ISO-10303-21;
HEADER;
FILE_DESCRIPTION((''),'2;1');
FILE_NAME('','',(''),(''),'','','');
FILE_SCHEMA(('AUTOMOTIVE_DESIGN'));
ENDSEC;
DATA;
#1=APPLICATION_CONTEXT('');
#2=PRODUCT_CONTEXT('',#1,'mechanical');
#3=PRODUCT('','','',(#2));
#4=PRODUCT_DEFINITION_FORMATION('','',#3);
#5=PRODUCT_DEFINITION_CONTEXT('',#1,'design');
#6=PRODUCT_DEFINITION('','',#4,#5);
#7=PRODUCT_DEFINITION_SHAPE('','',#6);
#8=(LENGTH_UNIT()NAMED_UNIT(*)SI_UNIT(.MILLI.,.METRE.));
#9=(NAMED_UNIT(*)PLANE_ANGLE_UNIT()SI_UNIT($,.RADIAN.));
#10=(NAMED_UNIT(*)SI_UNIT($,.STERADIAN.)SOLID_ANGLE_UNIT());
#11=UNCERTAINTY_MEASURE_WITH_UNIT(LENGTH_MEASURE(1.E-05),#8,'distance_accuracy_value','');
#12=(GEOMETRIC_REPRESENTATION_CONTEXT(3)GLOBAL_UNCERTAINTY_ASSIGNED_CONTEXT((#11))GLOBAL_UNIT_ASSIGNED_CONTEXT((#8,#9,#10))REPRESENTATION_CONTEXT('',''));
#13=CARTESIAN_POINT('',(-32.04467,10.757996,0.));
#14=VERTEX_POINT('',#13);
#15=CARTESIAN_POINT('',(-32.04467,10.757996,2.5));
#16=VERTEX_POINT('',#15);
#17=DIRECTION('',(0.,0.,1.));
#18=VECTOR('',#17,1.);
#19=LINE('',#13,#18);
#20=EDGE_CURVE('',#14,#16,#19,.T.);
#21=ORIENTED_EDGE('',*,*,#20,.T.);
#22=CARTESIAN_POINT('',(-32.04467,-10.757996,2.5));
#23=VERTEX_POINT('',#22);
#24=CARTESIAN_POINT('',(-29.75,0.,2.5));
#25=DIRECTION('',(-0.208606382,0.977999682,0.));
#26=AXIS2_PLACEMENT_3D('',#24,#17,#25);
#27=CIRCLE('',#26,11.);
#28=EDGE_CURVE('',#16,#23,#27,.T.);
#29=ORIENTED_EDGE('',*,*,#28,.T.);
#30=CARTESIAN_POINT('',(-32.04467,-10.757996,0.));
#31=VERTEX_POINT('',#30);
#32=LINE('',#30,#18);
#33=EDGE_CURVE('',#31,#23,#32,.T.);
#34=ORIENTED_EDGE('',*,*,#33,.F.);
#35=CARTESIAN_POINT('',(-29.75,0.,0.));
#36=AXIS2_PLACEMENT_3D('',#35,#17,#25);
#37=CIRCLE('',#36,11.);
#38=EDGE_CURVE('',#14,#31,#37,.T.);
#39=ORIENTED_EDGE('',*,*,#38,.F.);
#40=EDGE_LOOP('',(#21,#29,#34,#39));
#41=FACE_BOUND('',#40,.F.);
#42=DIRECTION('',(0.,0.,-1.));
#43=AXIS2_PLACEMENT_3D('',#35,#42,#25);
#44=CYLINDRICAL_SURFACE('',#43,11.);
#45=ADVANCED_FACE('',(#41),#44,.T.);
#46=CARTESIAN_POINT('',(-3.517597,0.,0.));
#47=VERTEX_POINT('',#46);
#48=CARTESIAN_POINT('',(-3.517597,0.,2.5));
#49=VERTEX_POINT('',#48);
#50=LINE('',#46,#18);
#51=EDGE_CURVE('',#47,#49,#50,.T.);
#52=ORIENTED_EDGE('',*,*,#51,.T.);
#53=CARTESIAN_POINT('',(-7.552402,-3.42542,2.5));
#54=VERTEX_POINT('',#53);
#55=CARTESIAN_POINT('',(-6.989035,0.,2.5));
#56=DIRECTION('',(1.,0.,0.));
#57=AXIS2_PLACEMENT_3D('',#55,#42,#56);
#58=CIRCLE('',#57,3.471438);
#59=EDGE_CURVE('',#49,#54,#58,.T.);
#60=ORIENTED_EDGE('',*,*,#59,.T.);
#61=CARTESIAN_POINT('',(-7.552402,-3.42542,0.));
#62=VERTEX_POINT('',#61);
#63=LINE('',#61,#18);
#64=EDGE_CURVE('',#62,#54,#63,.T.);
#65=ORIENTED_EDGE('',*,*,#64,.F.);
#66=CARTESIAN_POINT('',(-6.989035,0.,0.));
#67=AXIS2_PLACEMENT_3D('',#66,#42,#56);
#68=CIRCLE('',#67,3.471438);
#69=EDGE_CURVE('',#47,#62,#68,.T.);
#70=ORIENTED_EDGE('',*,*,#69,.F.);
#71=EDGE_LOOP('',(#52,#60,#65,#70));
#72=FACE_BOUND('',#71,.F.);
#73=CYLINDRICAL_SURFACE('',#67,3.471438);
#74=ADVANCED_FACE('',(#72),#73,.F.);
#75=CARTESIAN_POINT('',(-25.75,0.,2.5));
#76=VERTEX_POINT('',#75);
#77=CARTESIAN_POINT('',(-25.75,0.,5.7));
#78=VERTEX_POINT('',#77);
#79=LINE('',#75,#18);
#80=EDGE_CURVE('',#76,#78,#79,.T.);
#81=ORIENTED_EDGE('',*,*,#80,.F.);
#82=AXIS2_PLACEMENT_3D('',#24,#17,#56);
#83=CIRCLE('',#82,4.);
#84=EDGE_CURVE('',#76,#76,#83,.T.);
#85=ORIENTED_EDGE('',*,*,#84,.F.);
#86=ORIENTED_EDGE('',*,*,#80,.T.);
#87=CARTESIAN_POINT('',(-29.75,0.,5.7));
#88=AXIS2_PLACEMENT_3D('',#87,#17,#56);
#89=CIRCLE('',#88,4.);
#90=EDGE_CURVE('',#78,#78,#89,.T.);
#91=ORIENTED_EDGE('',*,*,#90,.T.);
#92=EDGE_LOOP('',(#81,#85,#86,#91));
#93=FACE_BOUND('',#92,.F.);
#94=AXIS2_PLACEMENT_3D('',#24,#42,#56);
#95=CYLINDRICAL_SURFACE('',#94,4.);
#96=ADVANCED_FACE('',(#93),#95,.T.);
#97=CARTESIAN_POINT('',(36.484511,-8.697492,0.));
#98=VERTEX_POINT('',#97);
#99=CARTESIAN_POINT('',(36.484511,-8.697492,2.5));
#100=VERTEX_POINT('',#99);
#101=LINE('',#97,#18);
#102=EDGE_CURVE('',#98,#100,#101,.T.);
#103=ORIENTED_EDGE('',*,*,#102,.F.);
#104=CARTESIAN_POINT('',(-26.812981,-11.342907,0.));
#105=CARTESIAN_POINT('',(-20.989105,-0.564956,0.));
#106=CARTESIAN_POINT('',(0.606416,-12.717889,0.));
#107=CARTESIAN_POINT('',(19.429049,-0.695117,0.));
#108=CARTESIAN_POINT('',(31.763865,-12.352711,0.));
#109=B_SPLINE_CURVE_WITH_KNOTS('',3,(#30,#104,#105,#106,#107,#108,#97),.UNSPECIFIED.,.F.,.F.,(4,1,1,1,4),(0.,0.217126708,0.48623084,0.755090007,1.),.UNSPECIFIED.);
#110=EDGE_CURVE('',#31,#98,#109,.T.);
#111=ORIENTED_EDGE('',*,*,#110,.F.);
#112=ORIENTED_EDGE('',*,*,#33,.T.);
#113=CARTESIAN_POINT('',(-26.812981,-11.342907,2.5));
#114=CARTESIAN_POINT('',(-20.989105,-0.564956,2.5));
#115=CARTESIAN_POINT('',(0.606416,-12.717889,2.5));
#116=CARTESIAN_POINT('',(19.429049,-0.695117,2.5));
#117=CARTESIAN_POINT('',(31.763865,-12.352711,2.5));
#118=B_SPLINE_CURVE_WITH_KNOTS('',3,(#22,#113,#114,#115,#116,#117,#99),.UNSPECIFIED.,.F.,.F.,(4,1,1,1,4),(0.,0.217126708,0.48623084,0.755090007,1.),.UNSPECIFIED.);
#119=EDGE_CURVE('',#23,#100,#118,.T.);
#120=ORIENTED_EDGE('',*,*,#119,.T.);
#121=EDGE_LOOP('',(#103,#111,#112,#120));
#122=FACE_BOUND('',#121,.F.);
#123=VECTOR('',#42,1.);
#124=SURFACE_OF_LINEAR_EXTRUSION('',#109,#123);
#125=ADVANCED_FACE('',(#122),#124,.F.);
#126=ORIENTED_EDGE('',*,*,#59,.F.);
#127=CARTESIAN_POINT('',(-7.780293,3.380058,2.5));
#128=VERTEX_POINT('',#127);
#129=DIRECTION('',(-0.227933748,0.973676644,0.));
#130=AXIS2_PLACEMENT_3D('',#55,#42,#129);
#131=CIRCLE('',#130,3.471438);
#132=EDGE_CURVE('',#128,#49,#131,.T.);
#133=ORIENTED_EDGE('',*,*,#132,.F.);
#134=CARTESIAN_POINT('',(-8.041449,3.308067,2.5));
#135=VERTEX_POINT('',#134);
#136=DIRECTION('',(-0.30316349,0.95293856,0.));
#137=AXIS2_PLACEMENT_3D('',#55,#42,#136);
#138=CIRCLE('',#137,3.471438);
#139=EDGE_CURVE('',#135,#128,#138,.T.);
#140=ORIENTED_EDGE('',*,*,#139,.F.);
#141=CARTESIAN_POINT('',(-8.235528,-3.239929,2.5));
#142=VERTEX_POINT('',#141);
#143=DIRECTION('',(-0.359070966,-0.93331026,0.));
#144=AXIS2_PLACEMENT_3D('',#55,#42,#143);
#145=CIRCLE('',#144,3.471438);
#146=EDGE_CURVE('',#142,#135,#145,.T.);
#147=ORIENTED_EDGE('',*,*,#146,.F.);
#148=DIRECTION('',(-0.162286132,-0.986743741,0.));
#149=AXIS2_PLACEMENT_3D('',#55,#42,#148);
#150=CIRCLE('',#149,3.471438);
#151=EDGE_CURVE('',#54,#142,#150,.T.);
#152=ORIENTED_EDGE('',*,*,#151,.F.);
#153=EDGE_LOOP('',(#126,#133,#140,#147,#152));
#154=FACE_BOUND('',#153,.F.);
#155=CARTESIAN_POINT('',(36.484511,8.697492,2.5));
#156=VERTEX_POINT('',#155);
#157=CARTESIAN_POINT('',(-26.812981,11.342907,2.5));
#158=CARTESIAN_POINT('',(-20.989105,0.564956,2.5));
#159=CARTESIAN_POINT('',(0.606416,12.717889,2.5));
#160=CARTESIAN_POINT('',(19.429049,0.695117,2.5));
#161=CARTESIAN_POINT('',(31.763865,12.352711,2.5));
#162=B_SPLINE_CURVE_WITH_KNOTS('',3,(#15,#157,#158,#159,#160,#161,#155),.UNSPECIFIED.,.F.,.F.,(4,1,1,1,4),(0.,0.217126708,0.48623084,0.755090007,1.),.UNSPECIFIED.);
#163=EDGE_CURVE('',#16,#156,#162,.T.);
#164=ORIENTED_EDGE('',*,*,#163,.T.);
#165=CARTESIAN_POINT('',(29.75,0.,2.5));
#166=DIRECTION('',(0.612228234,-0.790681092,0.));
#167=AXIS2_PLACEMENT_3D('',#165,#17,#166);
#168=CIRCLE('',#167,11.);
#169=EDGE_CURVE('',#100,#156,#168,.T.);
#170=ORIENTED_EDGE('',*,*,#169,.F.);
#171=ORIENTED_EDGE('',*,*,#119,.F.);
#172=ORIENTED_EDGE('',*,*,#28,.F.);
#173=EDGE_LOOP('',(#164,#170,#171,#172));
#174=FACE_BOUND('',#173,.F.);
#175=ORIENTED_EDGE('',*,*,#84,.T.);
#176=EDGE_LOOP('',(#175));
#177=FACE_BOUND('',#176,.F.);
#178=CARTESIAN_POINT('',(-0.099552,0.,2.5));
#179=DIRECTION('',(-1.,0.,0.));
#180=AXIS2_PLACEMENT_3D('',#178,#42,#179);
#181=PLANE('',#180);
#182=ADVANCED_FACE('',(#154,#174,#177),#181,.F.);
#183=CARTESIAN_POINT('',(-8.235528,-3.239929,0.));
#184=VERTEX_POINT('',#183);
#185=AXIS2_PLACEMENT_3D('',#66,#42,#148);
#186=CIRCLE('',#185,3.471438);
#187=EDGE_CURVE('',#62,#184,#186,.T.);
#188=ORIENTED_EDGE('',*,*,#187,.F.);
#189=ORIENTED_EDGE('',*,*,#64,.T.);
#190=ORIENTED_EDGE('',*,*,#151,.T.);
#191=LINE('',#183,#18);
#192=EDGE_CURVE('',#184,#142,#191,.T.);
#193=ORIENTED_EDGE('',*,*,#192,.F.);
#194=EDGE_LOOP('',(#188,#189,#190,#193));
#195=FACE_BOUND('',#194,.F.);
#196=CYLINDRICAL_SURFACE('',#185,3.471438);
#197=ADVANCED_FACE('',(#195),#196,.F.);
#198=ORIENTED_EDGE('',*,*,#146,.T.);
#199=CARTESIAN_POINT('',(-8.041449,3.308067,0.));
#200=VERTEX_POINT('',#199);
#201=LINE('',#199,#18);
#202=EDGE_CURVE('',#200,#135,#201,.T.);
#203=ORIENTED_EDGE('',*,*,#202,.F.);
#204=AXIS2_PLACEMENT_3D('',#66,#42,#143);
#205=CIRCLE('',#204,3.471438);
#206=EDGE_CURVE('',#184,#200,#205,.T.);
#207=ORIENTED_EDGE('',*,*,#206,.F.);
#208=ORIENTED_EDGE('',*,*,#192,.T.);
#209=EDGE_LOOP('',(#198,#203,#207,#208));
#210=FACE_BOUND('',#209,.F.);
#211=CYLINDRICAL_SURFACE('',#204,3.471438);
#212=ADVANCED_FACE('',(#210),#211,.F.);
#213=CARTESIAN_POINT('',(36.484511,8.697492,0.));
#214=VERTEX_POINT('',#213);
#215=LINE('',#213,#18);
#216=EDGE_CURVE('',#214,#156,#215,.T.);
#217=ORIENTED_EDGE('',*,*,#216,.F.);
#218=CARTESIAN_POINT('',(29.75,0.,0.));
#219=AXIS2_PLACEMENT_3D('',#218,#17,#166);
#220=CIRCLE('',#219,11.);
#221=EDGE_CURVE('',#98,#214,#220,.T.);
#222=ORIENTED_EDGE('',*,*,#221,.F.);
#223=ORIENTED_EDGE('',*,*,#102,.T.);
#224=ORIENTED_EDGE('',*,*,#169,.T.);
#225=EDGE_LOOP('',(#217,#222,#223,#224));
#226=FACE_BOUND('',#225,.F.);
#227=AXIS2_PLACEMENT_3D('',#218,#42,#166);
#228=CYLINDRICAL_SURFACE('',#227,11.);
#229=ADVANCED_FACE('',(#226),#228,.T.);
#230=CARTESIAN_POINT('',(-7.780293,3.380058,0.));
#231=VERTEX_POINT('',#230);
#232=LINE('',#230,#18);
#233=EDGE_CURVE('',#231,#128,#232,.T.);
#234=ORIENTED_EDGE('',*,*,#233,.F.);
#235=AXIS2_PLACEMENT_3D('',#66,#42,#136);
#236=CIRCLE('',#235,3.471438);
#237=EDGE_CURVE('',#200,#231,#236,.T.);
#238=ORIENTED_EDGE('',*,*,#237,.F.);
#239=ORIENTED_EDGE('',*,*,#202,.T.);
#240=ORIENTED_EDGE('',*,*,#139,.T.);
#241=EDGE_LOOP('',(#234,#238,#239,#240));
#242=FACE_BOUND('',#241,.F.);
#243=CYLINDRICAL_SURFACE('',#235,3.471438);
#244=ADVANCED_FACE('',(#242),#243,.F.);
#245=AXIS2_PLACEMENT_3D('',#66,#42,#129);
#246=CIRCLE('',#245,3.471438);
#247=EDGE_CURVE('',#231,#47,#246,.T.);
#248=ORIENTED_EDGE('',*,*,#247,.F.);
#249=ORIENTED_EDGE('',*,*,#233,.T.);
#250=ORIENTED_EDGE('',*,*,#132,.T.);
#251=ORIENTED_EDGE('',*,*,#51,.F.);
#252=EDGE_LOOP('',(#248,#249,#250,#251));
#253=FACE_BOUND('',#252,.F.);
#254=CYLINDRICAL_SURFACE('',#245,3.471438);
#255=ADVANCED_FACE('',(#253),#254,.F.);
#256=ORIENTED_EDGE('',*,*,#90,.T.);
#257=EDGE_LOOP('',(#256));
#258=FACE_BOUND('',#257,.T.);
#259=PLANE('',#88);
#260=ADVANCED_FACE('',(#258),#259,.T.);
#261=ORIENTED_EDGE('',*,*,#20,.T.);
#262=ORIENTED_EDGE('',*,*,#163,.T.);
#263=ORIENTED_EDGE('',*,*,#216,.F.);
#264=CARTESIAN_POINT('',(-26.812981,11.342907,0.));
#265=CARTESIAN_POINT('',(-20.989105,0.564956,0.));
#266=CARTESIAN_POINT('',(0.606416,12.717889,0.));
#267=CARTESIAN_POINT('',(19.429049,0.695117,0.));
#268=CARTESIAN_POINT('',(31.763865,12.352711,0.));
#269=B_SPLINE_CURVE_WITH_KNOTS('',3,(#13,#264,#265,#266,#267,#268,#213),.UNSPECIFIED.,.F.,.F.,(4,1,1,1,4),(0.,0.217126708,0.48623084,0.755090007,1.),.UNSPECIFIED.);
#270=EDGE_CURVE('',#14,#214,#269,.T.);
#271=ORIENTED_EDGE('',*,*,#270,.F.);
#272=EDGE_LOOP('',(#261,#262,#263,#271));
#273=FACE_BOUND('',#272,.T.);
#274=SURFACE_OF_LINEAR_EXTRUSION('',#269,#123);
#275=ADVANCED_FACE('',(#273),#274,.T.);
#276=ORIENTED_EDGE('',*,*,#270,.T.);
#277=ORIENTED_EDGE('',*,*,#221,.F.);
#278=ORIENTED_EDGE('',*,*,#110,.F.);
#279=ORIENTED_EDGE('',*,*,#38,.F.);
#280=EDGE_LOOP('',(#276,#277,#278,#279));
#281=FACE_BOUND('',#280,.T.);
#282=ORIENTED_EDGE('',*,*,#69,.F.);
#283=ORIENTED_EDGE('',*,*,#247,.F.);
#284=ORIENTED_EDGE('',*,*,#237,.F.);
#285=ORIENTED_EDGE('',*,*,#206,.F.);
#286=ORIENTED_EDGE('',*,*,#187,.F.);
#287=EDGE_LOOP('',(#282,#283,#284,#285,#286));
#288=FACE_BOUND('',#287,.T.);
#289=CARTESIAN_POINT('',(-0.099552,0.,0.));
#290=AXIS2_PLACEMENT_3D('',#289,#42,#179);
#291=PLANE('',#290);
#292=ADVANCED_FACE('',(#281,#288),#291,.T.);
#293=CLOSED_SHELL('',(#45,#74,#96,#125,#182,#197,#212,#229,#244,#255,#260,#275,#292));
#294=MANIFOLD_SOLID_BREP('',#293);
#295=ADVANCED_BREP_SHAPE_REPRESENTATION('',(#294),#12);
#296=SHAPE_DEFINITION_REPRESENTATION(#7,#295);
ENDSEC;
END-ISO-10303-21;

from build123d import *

# Parameters (mm, degrees)
F1_DEPTH = 2.5
F2_R     = 4
F3_DEPTH = 3.2


with BuildPart() as f1:
    # F0 (on Top) → F1 (new body)
    with BuildSketch(Plane.XY):
        with BuildLine():
            add(Edge.make_bspline(
                [(-32.0446701983, 10.7579964994), (-26.8129809933, 11.3429066389), (-20.989105106, 0.5649563812), (0.6064156678, 12.7178885285), (19.4290485286, 0.6951172825), (31.7638646772, 12.3527112005), (36.484510571, 8.697492016)],
                knots=[0, 0, 0, 0, 0.2171267084, 0.4862308404, 0.7550900065, 1, 1, 1, 1], degree=3))
            ThreePointArc((-32.0446701983, 10.7579964994), (-40.75, 0), (-32.0446701983, -10.7579964994))
            add(Edge.make_bspline(
                [(-32.0446701983, -10.7579964994), (-26.8129809933, -11.3429066389), (-20.989105106, -0.5649563812), (0.6064156678, -12.7178885285), (19.4290485286, -0.6951172825), (31.7638646772, -12.3527112005), (36.484510571, -8.697492016)],
                knots=[0, 0, 0, 0, 0.2171267084, 0.4862308404, 0.7550900065, 1, 1, 1, 1], degree=3))
            ThreePointArc((36.484510571, -8.697492016), (40.75, 0), (36.484510571, 8.697492016))
        make_face()
        with BuildLine():
            ThreePointArc((-8.2355280308, -3.2399288321), (-10.458949699, 0.1028465332), (-8.0414486856, 3.3080672601))
            ThreePointArc((-8.0414486856, 3.3080672601), (-7.9115734901, 3.3466111512), (-7.7802932918, 3.3800582358))
            ThreePointArc((-7.7802932918, 3.3800582358), (-4.8321765727, 2.7200813981), (-3.5175972469, 0))
            ThreePointArc((-3.5175972469, 0), (-4.7423498714, -2.6463724136), (-7.5524016545, -3.4254198573))
            ThreePointArc((-7.5524016545, -3.4254198573), (-7.8987051346, -3.3501318928), (-8.2355280308, -3.2399288321))
        make_face(mode=Mode.SUBTRACT)
    extrude(amount=F1_DEPTH)

    # F2 (on face) → F3 (join)
    with BuildSketch(Plane.XY.offset(2.5)):
        with Locations((-29.75, 0)):
            Circle(F2_R)
    extrude(amount=F3_DEPTH)


solid = f1.part
